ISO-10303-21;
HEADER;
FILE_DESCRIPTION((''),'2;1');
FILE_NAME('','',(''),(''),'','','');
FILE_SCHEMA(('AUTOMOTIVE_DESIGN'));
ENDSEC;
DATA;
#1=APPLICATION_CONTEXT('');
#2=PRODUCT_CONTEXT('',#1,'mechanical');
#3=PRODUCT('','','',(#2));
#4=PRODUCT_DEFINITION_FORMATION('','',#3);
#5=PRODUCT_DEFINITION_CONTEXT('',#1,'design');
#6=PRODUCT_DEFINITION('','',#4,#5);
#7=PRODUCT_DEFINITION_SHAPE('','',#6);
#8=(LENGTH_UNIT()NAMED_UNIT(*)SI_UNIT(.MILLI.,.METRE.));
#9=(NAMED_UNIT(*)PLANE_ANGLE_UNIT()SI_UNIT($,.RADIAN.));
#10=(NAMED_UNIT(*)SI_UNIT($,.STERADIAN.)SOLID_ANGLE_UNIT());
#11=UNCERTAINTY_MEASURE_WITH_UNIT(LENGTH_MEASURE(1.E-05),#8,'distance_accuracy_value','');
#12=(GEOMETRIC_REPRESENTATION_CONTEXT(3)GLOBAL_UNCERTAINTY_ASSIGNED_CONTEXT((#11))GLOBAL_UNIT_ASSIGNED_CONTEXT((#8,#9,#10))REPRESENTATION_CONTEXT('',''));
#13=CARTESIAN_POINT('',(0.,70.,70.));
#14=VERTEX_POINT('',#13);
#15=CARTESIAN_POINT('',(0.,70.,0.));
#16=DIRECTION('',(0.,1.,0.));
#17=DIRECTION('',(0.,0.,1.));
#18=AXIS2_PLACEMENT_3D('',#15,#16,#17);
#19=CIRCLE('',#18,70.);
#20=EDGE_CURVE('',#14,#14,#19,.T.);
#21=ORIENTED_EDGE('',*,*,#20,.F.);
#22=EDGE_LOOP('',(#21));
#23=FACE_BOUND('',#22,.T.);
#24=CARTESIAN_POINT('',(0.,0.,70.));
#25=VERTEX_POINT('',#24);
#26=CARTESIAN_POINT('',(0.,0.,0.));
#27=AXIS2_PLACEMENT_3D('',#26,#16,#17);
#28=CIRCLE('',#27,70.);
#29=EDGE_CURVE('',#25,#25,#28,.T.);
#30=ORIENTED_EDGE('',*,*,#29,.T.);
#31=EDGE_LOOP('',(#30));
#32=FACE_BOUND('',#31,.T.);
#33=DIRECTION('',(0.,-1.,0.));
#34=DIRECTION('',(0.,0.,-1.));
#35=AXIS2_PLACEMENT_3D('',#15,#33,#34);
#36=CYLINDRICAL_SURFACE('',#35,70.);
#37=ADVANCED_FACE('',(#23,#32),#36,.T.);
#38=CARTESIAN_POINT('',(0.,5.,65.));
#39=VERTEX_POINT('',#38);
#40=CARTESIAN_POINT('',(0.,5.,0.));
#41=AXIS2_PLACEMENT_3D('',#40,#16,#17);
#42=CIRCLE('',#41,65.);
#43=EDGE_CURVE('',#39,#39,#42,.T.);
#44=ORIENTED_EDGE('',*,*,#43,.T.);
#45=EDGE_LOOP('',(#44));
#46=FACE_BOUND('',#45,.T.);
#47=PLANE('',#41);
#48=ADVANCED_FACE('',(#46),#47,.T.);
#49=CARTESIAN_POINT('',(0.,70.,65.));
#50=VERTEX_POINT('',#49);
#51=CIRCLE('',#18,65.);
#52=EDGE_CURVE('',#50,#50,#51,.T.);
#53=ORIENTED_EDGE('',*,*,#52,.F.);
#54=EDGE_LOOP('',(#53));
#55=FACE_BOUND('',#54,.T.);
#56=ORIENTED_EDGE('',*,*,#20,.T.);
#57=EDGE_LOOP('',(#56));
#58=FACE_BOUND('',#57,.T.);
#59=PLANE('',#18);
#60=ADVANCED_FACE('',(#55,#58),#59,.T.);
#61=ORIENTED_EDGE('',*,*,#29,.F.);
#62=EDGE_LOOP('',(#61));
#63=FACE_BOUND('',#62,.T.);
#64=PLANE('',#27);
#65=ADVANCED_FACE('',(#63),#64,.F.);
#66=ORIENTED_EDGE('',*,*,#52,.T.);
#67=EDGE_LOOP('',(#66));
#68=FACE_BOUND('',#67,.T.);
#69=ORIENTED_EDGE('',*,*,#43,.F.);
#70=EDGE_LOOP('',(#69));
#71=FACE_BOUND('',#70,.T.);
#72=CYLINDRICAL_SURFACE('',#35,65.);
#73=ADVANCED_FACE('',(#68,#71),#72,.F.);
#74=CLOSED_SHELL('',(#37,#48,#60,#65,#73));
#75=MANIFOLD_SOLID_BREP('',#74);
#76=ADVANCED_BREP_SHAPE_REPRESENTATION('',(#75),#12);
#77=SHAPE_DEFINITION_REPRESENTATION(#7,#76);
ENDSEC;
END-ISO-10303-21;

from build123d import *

# Parameters (mm, degrees)
SKETCH1_R           = 70
BOSS_EXTRUDE1_DEPTH = 70
SHELL1_T            = -5


with BuildPart() as part:
    # Sketch1 → Boss-Extrude1 (new body)
    with BuildSketch(Plane(origin=(0, 0, 0), x_dir=(1, 0, 0), z_dir=(0, 1, 0))):
        with Locations(Location((0, 0, 0), (0, 0, 270))):  # turned: the seam where the file's is
            Circle(SKETCH1_R)
    extrude(amount=BOSS_EXTRUDE1_DEPTH)

    # Shell1
    shell1_openings = [part.faces().sort_by_distance(p)[0] for p in [
        (0, 70, 0),
    ]]
    offset(amount=SHELL1_T, openings=shell1_openings, kind=Kind.INTERSECTION)


solid = part.part
